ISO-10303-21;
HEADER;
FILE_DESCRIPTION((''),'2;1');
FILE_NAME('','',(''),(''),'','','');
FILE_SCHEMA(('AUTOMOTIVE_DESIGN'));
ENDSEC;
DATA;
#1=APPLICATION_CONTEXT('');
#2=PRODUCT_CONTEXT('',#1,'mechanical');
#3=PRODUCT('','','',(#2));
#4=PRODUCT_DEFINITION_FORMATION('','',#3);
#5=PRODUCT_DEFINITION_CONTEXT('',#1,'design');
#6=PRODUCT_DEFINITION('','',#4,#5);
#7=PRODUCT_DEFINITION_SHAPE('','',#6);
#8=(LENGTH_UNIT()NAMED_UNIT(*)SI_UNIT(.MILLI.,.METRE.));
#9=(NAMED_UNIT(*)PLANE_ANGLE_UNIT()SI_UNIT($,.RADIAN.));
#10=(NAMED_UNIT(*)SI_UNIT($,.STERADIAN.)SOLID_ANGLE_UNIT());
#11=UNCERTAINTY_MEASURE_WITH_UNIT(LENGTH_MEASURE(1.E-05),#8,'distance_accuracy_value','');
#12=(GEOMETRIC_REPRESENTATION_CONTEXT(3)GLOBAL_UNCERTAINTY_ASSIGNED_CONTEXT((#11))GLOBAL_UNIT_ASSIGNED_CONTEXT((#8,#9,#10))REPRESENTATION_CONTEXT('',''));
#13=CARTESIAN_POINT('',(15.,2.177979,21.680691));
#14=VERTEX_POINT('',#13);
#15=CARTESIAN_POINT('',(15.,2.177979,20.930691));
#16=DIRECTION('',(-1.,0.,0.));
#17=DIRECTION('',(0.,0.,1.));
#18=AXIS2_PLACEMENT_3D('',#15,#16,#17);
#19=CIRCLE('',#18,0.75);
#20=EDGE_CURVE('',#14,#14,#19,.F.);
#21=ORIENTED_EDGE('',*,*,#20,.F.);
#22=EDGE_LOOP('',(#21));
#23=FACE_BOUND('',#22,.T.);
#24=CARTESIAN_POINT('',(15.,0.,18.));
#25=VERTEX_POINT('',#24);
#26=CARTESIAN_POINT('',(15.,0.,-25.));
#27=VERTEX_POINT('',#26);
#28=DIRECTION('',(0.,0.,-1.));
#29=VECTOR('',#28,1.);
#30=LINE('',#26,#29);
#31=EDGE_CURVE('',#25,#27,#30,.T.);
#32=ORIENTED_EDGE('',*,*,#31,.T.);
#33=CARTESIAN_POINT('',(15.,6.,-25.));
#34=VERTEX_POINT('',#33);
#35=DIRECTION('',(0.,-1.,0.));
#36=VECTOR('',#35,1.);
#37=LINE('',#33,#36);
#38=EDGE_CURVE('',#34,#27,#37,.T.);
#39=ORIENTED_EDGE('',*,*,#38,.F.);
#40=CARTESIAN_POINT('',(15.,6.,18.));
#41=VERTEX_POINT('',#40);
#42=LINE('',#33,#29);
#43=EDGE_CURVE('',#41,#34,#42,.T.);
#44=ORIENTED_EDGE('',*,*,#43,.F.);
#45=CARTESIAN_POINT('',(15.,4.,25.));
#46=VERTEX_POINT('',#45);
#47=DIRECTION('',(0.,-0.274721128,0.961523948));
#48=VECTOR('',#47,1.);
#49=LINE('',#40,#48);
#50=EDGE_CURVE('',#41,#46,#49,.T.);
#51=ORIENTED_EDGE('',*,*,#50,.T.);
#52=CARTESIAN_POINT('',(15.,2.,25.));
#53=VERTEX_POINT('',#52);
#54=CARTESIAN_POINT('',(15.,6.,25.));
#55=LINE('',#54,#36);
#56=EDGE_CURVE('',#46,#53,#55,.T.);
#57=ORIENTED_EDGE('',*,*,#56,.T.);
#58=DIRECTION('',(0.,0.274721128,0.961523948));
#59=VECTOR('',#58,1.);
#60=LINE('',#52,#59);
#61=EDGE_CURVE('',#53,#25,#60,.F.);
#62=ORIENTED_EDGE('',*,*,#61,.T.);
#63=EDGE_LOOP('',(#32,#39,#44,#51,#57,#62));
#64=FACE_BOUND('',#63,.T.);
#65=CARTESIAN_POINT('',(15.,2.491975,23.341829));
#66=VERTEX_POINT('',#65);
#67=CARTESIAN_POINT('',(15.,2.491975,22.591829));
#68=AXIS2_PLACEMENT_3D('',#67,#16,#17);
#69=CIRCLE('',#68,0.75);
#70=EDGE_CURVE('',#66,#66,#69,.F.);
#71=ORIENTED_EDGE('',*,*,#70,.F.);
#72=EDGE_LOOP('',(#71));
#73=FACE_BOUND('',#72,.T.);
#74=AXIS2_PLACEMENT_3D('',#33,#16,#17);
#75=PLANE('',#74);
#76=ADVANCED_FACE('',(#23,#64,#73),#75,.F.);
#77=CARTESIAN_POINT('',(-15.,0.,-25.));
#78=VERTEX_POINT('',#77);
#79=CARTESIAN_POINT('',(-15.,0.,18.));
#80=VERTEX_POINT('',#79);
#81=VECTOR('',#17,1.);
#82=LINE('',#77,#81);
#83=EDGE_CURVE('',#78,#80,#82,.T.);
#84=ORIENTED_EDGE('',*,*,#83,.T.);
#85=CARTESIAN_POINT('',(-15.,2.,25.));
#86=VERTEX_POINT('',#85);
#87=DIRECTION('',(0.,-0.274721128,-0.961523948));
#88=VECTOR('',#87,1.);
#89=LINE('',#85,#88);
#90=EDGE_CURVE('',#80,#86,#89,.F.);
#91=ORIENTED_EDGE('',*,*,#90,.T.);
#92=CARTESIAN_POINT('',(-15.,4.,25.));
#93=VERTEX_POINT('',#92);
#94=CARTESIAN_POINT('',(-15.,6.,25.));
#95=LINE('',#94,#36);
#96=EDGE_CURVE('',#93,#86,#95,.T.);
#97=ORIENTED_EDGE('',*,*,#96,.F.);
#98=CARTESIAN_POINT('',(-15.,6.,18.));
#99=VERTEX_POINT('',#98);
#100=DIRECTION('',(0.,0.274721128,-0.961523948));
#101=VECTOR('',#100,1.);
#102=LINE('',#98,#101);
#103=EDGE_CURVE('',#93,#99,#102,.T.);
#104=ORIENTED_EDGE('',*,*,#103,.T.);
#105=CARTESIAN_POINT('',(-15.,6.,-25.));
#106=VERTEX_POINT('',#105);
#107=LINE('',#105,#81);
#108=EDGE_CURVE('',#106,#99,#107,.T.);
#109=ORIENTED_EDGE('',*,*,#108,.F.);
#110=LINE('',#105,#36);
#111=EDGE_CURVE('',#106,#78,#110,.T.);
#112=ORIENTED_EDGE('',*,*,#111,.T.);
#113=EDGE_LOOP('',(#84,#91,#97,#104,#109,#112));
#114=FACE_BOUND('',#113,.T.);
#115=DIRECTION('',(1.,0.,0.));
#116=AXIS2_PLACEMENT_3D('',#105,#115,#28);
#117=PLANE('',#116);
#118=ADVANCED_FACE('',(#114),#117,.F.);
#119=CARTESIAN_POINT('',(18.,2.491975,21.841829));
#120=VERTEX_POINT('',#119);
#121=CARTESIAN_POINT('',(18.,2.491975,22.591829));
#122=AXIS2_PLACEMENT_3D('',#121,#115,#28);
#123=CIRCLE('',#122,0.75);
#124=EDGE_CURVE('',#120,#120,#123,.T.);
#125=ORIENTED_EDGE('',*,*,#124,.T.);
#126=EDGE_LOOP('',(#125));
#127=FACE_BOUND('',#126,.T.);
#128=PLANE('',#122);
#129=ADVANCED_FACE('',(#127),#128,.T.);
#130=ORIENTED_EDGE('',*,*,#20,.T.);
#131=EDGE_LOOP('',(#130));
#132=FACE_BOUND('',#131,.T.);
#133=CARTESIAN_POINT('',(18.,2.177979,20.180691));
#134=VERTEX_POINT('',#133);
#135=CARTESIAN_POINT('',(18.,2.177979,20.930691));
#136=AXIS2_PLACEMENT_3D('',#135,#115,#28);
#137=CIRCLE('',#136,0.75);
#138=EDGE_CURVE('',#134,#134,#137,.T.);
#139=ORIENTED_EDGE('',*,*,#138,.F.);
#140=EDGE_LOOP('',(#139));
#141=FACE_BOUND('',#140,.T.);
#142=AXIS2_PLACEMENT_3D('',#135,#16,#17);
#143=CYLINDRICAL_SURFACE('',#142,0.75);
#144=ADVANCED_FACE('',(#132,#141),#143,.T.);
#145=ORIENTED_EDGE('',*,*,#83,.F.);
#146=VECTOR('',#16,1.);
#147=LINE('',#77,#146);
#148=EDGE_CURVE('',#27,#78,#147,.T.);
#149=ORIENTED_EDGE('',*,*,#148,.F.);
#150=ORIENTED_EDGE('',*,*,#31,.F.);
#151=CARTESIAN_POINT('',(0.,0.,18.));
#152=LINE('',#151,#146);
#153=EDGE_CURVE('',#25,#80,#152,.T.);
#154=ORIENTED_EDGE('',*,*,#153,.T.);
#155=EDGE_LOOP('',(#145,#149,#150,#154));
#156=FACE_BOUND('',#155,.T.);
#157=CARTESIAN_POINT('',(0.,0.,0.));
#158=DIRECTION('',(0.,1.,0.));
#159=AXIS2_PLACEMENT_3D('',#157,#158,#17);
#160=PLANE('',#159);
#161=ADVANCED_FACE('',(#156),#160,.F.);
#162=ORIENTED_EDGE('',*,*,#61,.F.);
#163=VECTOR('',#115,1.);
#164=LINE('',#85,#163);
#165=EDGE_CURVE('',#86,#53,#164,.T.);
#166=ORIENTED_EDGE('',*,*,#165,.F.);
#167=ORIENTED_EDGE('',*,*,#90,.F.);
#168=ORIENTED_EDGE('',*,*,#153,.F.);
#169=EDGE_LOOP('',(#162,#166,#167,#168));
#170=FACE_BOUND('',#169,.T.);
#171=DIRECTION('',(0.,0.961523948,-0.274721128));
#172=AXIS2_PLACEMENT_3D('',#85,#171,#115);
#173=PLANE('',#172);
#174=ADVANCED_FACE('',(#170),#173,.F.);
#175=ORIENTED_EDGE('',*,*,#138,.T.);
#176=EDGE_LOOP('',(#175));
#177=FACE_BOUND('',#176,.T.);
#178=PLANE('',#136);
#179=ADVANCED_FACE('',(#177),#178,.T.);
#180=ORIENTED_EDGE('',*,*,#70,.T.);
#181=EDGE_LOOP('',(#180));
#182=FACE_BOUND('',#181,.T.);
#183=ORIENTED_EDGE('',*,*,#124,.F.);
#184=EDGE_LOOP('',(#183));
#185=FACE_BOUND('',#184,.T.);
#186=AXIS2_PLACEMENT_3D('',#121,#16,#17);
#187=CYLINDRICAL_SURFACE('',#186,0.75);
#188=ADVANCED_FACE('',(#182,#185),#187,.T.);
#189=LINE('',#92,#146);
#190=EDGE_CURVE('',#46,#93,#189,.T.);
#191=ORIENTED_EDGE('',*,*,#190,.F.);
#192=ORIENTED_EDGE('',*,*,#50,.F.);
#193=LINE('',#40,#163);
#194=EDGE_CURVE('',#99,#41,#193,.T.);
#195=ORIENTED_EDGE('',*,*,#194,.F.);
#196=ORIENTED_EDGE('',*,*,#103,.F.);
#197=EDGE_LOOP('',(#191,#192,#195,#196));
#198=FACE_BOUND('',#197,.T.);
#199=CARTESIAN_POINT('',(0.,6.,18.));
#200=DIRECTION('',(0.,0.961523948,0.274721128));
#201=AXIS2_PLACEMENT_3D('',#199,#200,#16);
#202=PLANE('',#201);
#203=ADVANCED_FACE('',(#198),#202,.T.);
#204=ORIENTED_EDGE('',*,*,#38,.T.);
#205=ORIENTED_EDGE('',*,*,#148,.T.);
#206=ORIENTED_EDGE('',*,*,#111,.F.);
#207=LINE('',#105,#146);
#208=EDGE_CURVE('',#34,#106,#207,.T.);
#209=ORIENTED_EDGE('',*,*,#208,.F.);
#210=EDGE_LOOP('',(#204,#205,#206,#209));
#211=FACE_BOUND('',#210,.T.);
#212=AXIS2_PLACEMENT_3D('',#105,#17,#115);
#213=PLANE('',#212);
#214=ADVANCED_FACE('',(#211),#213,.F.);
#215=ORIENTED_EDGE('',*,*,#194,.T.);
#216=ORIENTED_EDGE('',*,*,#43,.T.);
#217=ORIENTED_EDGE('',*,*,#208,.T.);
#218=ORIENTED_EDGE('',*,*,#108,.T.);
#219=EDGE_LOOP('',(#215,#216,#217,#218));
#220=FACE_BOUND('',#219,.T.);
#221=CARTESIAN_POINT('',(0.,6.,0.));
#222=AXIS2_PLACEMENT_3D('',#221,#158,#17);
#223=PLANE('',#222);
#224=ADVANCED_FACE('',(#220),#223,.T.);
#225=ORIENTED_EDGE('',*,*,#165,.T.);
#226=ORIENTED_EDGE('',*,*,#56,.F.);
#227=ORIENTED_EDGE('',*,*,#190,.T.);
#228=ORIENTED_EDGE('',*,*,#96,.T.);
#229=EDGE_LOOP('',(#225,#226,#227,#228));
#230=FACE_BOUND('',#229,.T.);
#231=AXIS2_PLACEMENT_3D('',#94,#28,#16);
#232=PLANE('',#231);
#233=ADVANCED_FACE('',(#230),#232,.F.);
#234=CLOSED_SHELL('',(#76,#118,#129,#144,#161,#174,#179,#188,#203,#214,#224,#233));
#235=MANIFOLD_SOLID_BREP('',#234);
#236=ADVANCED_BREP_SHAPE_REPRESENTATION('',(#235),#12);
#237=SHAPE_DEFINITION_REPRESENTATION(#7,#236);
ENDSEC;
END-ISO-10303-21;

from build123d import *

# Parameters (mm, degrees)
SKETCH1_W           = 30
SKETCH1_H           = 50
BOSS_EXTRUDE1_DEPTH = 6
CHAMFER1_SIZE       = 2
CHAMFER1_SIZE2      = 7
SKETCH2_R           = 0.75
BOSS_EXTRUDE2_DEPTH = 3


with BuildPart() as part:
    # Sketch1 → Boss-Extrude1 (new body)
    with BuildSketch(Plane(origin=(0, 0, 0), x_dir=(1, 0, 0), z_dir=(0, 1, 0))):
        Rectangle(SKETCH1_W, SKETCH1_H)
    extrude(amount=BOSS_EXTRUDE1_DEPTH)

    # Chamfer1
    chamfer1_edges = [part.edges().sort_by_distance(p)[0] for p in [
        (0, 0, 25),
        (0, 6, 25),
    ]]
    chamfer1_side = [part.faces().sort_by_distance(p)[0] for p in [
        (0, 3, 25),
    ]]
    chamfer(chamfer1_edges, length=CHAMFER1_SIZE, length2=CHAMFER1_SIZE2, reference=chamfer1_side[0])

    # Sketch2 → Boss-Extrude2 (add)
    with BuildSketch(Plane(origin=(15, 0, 0), x_dir=(0, 0, -1), z_dir=(1, 0, 0))):
        with Locations((-22.591828887, 2.491974932)):
            Circle(SKETCH2_R)
        with Locations((-20.930691136, 2.177979382)):
            Circle(SKETCH2_R)
    extrude(amount=BOSS_EXTRUDE2_DEPTH)


solid = part.part
